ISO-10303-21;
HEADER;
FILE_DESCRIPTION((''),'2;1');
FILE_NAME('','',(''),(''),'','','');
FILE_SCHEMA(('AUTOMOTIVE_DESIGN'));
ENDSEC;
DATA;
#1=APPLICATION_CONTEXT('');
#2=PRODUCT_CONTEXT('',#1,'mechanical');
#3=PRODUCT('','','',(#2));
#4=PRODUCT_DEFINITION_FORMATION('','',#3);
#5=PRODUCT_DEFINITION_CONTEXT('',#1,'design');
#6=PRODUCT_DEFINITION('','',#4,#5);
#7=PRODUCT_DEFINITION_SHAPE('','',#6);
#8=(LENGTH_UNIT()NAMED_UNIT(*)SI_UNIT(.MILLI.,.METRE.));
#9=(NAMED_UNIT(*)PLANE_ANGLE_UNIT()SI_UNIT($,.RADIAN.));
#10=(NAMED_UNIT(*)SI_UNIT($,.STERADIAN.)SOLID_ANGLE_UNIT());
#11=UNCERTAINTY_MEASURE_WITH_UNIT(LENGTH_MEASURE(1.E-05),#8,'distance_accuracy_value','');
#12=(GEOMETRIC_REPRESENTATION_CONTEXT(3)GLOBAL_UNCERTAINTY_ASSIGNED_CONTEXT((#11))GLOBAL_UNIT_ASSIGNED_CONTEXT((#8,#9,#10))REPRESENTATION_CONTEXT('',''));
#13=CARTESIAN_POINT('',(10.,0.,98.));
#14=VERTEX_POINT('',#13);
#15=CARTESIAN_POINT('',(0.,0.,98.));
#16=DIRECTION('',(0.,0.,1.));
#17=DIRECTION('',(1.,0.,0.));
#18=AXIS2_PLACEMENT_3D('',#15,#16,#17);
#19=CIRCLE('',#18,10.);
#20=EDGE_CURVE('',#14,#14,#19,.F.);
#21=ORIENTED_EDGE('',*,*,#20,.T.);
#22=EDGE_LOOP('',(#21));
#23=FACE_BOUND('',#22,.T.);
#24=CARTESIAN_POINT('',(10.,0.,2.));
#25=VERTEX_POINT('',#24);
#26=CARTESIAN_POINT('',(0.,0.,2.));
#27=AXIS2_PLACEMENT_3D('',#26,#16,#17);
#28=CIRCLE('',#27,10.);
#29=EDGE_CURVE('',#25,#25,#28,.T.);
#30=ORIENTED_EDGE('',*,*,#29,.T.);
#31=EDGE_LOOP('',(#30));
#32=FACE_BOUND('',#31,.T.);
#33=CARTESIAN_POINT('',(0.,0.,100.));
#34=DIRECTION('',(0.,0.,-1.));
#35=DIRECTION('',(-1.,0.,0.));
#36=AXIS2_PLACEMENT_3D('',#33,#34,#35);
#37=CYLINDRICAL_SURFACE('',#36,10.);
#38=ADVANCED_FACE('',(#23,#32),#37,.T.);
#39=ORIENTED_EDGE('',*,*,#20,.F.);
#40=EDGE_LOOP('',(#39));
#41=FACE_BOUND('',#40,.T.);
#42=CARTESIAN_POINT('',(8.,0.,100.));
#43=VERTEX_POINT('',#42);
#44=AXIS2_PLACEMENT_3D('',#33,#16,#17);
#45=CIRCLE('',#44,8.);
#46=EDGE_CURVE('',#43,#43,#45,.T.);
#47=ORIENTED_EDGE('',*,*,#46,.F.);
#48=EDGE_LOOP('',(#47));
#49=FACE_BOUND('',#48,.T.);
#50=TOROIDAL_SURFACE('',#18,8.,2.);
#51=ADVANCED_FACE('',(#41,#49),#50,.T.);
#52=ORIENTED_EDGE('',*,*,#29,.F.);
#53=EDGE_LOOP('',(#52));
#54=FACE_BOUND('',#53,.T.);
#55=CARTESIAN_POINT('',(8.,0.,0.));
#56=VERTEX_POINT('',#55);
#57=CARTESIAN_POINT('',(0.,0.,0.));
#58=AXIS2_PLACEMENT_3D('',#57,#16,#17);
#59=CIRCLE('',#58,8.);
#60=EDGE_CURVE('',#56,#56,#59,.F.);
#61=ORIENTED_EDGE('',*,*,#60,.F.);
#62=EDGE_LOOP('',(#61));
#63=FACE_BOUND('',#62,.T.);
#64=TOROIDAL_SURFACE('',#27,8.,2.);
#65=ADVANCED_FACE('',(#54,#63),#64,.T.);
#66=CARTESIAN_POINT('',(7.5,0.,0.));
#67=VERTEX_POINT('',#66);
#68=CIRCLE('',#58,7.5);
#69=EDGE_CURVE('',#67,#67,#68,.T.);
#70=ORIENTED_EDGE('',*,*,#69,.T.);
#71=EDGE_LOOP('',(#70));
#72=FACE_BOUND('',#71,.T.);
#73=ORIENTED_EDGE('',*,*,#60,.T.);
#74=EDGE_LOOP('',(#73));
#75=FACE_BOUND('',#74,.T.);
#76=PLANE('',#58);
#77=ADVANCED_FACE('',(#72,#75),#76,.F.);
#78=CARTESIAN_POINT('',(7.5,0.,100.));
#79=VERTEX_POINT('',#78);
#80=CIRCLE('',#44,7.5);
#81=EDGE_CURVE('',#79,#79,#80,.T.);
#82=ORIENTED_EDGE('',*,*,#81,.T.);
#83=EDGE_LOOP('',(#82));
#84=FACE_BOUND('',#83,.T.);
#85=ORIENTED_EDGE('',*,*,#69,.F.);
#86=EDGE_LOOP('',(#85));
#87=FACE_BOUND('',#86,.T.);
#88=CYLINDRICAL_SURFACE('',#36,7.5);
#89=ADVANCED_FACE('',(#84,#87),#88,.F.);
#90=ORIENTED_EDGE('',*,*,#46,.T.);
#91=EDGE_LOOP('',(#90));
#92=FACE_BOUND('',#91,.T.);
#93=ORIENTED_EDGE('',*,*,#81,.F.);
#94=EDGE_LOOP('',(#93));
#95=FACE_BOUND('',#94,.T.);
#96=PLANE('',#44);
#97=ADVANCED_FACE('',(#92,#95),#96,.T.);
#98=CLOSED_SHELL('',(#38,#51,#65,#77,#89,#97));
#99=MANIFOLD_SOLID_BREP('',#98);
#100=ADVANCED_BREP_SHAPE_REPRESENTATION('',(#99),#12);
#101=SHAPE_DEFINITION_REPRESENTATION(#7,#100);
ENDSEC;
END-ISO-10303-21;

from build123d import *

# Parameters (mm, degrees)
SKETCH1_R           = 10
SKETCH1_R_2         = 7.5
BOSS_EXTRUDE1_DEPTH = 100
FILLET2_R           = 2


with BuildPart() as part:
    # Sketch1 → Boss-Extrude1 (new body)
    with BuildSketch(Plane.XY):
        Circle(SKETCH1_R)
        Circle(SKETCH1_R_2, mode=Mode.SUBTRACT)
    extrude(amount=BOSS_EXTRUDE1_DEPTH)

    # Fillet2
    fillet2_edges = [part.edges().sort_by_distance(p)[0] for p in [
        (-10, 0, 0),
        (-10, 0, 100),
    ]]
    fillet(fillet2_edges, radius=FILLET2_R)


solid = part.part
